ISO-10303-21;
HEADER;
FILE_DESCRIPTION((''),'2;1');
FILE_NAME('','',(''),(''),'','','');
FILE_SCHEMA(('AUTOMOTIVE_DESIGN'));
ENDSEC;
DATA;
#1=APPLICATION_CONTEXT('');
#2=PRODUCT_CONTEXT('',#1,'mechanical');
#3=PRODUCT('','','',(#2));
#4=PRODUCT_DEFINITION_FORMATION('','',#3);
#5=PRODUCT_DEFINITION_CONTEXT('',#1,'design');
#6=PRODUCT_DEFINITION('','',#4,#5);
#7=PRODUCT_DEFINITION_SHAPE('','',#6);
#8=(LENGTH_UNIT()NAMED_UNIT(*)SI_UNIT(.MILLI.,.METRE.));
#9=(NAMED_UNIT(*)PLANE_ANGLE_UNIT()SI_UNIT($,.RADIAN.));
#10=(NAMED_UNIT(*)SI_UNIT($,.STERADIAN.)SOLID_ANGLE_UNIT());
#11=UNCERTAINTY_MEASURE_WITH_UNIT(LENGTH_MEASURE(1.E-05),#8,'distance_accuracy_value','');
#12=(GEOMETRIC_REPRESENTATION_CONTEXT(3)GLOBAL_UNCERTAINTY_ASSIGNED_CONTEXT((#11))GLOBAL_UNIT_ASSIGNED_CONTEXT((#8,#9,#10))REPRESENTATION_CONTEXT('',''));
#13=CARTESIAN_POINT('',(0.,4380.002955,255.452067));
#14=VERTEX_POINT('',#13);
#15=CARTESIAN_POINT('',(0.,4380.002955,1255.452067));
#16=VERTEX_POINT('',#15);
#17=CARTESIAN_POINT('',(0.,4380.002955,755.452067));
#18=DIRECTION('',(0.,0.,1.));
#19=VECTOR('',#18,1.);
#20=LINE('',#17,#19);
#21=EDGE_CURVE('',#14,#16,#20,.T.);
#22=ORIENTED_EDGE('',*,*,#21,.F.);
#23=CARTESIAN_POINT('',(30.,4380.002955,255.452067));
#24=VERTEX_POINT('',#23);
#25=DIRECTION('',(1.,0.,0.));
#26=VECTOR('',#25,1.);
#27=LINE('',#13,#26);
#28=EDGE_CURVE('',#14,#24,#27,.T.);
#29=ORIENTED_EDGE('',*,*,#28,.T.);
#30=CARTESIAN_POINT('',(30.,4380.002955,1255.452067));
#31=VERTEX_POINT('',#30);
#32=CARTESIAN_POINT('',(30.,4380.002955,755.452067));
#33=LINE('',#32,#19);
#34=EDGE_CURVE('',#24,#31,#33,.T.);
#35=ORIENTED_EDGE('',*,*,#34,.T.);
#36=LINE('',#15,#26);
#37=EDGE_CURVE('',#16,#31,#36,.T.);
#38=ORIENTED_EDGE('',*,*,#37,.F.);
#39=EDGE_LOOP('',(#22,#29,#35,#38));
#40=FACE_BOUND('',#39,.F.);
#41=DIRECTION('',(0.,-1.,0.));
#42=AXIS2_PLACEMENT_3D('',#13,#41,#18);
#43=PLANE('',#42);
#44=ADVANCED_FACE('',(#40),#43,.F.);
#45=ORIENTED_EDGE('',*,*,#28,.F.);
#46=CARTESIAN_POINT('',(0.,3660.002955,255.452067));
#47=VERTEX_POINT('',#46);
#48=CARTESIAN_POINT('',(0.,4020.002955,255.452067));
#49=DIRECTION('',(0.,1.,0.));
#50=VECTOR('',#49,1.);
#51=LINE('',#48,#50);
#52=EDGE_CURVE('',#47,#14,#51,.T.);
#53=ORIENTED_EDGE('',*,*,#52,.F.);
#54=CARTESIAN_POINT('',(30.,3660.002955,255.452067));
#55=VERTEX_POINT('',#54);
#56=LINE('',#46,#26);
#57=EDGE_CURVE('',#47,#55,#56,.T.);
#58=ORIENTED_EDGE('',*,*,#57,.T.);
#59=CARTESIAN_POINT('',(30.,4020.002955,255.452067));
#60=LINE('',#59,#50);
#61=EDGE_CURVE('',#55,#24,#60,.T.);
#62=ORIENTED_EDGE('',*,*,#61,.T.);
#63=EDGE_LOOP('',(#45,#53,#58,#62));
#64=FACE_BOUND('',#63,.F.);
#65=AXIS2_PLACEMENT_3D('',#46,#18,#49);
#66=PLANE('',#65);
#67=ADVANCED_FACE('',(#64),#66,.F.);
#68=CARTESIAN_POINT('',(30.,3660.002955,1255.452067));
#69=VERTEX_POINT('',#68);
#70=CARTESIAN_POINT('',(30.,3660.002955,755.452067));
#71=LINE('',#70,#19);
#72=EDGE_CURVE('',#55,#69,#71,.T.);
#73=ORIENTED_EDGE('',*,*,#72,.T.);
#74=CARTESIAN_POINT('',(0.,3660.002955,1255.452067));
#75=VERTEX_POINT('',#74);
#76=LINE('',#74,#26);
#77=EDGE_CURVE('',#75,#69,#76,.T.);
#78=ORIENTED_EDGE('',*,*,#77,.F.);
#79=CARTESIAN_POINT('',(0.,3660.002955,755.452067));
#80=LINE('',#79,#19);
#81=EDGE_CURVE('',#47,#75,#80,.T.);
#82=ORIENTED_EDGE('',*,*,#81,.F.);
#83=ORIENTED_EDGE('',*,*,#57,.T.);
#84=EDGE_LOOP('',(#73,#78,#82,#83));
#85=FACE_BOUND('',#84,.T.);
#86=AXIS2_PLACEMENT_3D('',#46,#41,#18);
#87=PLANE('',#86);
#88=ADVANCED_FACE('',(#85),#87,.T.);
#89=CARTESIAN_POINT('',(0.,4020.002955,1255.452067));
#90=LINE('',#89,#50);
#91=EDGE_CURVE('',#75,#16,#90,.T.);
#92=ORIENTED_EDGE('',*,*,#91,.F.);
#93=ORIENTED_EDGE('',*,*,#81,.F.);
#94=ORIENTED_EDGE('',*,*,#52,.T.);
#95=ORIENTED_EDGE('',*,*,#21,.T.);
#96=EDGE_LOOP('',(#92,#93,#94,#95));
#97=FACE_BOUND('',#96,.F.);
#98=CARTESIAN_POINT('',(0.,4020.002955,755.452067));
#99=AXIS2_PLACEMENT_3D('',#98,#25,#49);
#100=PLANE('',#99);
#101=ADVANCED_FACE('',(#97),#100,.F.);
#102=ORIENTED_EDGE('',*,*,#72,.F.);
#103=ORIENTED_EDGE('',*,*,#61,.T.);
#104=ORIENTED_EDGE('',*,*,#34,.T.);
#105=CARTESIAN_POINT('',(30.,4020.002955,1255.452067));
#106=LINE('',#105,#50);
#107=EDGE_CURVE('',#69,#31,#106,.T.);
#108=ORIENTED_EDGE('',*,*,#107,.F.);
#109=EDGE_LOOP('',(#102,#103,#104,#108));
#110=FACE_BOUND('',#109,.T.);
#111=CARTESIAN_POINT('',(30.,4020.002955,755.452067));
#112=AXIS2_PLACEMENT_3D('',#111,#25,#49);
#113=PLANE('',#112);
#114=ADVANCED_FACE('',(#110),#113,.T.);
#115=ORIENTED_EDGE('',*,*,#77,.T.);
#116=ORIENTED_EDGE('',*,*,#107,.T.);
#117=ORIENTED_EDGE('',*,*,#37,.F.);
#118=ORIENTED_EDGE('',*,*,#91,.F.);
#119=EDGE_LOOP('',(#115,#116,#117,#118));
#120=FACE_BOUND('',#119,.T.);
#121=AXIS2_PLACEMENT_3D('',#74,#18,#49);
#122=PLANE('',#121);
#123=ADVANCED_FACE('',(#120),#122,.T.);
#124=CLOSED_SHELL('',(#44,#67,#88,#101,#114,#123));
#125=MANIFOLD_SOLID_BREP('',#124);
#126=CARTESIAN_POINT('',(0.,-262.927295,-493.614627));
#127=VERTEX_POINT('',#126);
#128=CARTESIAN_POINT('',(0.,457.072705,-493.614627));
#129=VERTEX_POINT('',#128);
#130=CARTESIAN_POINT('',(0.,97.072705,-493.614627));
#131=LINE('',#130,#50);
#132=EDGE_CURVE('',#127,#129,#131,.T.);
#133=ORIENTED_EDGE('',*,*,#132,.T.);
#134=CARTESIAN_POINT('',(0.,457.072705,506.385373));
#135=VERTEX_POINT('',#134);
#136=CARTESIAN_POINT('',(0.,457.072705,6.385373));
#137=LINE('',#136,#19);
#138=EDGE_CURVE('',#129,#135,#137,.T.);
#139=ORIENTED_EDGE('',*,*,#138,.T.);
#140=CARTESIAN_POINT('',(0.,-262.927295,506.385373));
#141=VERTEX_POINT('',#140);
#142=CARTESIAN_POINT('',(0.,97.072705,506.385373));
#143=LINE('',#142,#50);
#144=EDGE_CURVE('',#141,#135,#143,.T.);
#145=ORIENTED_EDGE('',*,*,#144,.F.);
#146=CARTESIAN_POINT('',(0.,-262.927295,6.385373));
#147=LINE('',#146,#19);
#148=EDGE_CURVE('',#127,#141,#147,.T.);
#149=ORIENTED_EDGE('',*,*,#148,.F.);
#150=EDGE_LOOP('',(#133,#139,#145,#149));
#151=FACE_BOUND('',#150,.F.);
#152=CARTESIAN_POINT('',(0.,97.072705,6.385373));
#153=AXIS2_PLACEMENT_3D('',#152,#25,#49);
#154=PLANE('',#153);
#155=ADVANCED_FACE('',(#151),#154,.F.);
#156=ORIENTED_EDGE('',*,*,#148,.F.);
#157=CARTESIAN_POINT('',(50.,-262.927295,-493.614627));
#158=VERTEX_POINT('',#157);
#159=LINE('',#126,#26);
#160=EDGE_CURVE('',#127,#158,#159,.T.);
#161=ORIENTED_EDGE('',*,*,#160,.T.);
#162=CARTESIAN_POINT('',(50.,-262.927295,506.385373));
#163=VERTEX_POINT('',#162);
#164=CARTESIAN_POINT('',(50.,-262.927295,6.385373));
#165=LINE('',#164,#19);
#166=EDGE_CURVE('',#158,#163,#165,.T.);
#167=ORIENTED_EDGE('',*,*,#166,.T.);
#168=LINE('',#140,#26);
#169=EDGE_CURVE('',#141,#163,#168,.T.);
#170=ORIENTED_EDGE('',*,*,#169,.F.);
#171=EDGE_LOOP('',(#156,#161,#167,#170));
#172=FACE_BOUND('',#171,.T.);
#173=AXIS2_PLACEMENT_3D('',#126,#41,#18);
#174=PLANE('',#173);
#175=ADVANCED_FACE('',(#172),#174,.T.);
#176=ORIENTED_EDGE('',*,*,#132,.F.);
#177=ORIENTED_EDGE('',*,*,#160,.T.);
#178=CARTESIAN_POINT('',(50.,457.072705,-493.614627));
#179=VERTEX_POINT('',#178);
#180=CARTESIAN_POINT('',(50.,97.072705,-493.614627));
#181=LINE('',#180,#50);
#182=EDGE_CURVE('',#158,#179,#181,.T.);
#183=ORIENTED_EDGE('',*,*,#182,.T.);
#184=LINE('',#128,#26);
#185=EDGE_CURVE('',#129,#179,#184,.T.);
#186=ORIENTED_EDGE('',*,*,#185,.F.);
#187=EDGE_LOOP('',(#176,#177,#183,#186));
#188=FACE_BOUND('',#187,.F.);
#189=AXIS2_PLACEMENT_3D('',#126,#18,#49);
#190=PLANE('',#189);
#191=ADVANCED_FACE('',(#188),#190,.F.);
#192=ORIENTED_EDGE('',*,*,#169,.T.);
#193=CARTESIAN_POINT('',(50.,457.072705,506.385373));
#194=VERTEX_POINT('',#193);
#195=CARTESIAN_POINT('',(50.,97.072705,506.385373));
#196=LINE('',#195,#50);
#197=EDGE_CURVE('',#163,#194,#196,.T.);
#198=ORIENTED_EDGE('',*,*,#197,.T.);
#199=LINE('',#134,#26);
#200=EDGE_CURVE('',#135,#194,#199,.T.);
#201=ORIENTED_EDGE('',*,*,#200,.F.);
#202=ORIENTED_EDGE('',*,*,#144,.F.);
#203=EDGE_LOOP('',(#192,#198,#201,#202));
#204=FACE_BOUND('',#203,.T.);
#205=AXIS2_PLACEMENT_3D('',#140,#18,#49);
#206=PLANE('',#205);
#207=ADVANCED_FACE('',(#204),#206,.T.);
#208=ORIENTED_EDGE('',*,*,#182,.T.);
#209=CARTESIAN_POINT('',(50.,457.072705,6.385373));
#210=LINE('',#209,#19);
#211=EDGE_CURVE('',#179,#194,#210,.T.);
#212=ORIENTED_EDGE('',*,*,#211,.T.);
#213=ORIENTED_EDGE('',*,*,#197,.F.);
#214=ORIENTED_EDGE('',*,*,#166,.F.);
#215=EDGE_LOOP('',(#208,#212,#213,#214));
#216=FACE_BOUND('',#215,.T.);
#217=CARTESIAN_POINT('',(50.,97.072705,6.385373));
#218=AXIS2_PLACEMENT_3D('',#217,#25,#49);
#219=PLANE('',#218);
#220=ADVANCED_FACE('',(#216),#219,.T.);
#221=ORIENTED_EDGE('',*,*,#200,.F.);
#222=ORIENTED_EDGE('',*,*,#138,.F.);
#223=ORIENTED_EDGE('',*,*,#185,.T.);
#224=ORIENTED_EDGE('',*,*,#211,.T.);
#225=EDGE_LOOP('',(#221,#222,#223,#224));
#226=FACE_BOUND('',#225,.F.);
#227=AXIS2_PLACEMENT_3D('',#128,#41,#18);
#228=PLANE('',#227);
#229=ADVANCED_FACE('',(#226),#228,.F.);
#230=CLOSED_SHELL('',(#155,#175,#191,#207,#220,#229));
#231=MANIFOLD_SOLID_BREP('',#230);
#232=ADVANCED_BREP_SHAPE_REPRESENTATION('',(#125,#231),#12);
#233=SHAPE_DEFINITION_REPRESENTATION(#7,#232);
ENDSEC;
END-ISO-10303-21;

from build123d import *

# Parameters (mm, degrees)
F0_W     = 720
F0_H     = 1000
F1_DEPTH = 50
F2_W     = 720
F2_H     = 1000
F3_DEPTH = 30


with BuildPart() as f1:
    # F0 (on Right) → F1 (new body)
    with BuildSketch(Plane.YZ):
        with Locations((97.072705, 6.385373)):
            Rectangle(F0_W, F0_H)
    extrude(amount=F1_DEPTH)


with BuildPart() as f3:
    # F2 (on face) → F3 (new body)
    with BuildSketch(Plane.YZ):
        with Locations((4020.002955, 755.452067)):
            Rectangle(F2_W, F2_H)
    extrude(amount=F3_DEPTH)


solid = Compound([f1.part, f3.part])
